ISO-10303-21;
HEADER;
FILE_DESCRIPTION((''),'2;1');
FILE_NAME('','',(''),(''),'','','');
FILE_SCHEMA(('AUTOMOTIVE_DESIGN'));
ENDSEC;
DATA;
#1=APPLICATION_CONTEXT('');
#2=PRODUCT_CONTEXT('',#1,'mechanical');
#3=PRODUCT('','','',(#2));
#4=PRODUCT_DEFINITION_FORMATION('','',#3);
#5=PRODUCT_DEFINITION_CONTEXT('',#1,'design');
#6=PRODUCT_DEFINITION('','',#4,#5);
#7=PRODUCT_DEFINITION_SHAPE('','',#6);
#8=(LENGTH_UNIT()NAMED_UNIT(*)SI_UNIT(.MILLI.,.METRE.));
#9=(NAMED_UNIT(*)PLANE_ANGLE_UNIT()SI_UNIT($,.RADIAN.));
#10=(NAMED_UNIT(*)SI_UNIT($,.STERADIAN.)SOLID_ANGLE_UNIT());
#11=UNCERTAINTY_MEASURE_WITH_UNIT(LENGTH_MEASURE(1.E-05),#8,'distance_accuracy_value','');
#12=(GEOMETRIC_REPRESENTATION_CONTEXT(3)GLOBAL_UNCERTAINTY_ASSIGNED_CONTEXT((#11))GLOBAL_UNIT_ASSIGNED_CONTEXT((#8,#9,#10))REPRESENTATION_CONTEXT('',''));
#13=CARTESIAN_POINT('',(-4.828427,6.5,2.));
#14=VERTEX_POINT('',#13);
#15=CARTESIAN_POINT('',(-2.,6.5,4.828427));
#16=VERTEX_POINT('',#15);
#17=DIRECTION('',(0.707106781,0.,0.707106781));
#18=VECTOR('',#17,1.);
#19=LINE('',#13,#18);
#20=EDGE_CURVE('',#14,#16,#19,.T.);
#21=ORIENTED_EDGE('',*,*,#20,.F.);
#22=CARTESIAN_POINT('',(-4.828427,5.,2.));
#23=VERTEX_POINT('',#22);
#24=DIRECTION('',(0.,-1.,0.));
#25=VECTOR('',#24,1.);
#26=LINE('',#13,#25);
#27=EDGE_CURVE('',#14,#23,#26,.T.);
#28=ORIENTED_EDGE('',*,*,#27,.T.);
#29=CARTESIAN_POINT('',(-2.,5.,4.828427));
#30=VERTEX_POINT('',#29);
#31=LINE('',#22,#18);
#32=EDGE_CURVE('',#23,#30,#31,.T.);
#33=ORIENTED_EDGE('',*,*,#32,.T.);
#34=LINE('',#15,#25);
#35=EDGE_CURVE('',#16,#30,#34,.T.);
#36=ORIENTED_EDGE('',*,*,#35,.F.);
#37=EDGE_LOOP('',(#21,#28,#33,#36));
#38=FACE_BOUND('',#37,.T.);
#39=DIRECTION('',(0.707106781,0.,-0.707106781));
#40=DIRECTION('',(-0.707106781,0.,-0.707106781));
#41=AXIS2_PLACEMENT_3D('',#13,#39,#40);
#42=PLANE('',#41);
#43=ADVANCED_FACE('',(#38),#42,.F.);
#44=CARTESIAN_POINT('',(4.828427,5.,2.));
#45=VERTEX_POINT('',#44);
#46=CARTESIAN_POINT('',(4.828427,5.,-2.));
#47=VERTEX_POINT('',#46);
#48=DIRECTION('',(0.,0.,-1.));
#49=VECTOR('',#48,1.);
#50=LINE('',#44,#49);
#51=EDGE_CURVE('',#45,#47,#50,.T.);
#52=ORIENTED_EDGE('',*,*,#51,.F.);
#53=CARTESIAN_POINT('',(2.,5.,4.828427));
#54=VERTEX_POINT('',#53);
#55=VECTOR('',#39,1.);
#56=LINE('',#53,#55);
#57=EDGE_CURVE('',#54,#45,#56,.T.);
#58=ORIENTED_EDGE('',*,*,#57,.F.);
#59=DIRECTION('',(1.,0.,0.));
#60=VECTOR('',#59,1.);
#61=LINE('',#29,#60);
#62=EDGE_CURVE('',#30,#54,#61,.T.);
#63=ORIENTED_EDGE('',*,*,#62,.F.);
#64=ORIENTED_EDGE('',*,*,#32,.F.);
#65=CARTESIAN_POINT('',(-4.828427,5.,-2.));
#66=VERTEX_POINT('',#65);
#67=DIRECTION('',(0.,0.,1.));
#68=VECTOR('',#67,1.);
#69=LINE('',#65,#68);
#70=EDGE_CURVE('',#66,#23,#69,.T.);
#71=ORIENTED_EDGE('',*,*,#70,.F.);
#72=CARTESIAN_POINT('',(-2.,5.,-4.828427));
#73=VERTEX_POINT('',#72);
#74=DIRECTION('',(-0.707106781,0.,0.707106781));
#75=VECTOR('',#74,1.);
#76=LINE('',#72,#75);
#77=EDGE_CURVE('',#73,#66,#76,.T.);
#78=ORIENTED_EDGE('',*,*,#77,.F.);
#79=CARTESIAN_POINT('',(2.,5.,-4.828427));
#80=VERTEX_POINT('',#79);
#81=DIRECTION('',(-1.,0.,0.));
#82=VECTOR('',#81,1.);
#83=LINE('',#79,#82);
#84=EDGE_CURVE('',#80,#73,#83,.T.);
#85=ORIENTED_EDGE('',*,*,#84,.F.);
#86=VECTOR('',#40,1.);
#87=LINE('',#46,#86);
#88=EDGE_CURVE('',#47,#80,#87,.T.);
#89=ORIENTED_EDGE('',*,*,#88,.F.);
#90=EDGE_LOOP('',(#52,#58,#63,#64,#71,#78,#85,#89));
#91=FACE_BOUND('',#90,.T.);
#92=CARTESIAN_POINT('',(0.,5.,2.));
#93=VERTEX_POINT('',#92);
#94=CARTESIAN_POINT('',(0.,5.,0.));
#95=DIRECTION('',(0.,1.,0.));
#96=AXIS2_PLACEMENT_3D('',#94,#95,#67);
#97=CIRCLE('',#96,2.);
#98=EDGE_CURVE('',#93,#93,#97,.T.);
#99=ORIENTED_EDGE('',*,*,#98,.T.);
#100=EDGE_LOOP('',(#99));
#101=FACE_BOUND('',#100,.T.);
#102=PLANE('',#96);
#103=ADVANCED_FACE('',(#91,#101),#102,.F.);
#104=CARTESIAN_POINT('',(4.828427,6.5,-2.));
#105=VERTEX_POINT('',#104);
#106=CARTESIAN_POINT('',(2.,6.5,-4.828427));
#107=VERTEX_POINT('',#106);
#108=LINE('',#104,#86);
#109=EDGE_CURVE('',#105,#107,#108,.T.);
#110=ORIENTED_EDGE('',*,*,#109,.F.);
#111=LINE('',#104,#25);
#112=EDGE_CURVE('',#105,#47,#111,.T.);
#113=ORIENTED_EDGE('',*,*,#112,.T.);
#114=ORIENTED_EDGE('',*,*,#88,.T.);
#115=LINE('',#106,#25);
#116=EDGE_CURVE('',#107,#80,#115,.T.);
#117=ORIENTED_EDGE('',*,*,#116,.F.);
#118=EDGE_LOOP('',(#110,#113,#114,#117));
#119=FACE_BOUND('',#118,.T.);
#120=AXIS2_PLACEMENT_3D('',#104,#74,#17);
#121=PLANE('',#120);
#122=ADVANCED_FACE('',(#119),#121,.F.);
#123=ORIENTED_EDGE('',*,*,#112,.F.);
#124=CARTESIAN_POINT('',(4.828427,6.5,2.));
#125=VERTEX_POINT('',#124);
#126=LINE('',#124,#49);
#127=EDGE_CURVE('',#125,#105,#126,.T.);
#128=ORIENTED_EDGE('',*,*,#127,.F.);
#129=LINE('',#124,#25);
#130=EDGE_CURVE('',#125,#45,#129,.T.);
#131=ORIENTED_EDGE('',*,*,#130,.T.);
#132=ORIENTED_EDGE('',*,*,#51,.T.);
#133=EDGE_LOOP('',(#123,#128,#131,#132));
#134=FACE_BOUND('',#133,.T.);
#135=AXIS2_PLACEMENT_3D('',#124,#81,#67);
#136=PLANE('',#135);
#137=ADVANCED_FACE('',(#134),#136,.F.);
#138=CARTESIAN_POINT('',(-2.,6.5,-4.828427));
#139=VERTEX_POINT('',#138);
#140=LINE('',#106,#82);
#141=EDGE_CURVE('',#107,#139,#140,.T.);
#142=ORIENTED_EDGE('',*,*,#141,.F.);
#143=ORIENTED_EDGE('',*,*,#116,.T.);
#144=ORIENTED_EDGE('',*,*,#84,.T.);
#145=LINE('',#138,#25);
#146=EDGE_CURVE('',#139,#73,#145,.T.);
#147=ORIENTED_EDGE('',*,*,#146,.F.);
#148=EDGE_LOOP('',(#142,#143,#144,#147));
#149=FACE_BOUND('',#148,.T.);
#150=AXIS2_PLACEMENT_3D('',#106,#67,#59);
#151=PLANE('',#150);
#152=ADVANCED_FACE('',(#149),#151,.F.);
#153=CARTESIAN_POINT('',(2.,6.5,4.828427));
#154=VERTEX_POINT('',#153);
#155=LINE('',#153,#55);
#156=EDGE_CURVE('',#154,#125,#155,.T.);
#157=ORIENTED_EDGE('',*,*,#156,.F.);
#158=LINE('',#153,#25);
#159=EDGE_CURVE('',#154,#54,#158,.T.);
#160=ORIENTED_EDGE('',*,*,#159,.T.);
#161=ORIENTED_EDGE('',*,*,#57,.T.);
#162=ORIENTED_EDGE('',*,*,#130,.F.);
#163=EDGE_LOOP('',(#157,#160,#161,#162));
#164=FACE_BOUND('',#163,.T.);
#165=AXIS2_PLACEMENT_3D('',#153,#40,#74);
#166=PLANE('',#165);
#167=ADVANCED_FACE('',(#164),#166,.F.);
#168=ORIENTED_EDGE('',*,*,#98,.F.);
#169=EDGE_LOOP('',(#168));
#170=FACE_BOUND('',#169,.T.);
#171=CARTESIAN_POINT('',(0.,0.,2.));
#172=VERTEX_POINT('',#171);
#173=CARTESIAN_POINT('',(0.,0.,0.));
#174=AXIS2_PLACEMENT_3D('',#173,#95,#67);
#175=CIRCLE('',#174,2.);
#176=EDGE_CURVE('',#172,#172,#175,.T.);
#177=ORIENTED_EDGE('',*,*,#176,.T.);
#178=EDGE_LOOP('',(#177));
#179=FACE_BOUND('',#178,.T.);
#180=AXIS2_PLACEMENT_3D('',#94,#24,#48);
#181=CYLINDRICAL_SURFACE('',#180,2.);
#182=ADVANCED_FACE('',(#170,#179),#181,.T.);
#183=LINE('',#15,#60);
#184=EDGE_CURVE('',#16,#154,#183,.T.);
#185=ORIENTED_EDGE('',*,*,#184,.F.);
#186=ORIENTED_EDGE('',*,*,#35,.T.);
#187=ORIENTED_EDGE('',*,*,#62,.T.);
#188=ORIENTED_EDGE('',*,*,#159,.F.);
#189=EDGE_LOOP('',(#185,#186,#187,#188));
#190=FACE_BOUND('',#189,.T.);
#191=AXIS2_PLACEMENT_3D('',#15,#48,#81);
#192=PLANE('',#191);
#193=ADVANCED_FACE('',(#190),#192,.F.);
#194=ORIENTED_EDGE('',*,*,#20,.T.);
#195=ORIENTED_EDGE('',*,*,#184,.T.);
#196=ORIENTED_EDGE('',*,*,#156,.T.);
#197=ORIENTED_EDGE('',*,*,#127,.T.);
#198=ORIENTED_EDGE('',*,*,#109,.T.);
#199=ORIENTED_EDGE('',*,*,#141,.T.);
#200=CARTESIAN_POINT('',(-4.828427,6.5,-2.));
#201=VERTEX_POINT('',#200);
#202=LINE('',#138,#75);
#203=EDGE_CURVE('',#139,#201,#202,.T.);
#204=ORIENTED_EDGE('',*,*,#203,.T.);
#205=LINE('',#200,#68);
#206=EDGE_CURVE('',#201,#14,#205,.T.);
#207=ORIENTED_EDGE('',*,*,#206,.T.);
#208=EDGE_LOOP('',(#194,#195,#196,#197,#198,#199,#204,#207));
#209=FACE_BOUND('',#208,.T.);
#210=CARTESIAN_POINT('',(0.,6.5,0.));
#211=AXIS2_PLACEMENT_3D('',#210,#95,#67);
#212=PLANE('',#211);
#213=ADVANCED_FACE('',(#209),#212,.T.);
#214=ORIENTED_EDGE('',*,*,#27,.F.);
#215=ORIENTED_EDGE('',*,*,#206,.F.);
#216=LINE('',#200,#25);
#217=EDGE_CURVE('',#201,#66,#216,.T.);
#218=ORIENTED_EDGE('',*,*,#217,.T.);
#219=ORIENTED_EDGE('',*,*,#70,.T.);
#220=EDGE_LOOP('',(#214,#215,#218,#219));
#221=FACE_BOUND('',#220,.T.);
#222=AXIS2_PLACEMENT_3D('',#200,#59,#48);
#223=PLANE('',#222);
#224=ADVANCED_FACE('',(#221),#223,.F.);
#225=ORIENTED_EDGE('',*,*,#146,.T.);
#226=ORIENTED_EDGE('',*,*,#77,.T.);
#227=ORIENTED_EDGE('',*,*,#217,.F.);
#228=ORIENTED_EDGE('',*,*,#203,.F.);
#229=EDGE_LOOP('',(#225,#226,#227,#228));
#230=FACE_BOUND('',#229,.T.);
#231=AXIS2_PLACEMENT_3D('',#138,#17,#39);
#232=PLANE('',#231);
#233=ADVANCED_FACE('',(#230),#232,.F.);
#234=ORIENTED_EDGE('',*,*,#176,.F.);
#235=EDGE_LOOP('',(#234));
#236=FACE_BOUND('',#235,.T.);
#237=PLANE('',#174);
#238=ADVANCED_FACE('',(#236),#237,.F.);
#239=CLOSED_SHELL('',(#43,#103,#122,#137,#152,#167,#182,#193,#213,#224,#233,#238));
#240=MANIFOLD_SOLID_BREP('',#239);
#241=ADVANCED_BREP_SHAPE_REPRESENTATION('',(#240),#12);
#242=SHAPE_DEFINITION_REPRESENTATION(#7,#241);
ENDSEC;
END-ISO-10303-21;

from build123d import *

# Parameters (mm, degrees)
SKETCH1_R           = 2
BOSS_EXTRUDE1_DEPTH = 5
BOSS_EXTRUDE2_DEPTH = 1.5


with BuildPart() as part:
    # Sketch1 → Boss-Extrude1 (new body)
    with BuildSketch(Plane(origin=(0, 0, 0), x_dir=(1, 0, 0), z_dir=(0, 1, 0))):
        with Locations(Location((0, 0, 0), (0, 0, 270))):
            Circle(SKETCH1_R)
    extrude(amount=BOSS_EXTRUDE1_DEPTH)

    # Sketch2 → Boss-Extrude2 (add)
    with BuildSketch(Plane(origin=(0, 5, 0), x_dir=(1, 0, 0), z_dir=(0, 1, 0))):
        Polygon((4.828427125, 2), (2, 4.828427125), (-2, 4.828427125), (-4.828427125, 2), (-4.828427125, -2), (-2, -4.828427125), (2, -4.828427125), (4.828427125, -2), align=None)
    extrude(amount=BOSS_EXTRUDE2_DEPTH)


solid = part.part
